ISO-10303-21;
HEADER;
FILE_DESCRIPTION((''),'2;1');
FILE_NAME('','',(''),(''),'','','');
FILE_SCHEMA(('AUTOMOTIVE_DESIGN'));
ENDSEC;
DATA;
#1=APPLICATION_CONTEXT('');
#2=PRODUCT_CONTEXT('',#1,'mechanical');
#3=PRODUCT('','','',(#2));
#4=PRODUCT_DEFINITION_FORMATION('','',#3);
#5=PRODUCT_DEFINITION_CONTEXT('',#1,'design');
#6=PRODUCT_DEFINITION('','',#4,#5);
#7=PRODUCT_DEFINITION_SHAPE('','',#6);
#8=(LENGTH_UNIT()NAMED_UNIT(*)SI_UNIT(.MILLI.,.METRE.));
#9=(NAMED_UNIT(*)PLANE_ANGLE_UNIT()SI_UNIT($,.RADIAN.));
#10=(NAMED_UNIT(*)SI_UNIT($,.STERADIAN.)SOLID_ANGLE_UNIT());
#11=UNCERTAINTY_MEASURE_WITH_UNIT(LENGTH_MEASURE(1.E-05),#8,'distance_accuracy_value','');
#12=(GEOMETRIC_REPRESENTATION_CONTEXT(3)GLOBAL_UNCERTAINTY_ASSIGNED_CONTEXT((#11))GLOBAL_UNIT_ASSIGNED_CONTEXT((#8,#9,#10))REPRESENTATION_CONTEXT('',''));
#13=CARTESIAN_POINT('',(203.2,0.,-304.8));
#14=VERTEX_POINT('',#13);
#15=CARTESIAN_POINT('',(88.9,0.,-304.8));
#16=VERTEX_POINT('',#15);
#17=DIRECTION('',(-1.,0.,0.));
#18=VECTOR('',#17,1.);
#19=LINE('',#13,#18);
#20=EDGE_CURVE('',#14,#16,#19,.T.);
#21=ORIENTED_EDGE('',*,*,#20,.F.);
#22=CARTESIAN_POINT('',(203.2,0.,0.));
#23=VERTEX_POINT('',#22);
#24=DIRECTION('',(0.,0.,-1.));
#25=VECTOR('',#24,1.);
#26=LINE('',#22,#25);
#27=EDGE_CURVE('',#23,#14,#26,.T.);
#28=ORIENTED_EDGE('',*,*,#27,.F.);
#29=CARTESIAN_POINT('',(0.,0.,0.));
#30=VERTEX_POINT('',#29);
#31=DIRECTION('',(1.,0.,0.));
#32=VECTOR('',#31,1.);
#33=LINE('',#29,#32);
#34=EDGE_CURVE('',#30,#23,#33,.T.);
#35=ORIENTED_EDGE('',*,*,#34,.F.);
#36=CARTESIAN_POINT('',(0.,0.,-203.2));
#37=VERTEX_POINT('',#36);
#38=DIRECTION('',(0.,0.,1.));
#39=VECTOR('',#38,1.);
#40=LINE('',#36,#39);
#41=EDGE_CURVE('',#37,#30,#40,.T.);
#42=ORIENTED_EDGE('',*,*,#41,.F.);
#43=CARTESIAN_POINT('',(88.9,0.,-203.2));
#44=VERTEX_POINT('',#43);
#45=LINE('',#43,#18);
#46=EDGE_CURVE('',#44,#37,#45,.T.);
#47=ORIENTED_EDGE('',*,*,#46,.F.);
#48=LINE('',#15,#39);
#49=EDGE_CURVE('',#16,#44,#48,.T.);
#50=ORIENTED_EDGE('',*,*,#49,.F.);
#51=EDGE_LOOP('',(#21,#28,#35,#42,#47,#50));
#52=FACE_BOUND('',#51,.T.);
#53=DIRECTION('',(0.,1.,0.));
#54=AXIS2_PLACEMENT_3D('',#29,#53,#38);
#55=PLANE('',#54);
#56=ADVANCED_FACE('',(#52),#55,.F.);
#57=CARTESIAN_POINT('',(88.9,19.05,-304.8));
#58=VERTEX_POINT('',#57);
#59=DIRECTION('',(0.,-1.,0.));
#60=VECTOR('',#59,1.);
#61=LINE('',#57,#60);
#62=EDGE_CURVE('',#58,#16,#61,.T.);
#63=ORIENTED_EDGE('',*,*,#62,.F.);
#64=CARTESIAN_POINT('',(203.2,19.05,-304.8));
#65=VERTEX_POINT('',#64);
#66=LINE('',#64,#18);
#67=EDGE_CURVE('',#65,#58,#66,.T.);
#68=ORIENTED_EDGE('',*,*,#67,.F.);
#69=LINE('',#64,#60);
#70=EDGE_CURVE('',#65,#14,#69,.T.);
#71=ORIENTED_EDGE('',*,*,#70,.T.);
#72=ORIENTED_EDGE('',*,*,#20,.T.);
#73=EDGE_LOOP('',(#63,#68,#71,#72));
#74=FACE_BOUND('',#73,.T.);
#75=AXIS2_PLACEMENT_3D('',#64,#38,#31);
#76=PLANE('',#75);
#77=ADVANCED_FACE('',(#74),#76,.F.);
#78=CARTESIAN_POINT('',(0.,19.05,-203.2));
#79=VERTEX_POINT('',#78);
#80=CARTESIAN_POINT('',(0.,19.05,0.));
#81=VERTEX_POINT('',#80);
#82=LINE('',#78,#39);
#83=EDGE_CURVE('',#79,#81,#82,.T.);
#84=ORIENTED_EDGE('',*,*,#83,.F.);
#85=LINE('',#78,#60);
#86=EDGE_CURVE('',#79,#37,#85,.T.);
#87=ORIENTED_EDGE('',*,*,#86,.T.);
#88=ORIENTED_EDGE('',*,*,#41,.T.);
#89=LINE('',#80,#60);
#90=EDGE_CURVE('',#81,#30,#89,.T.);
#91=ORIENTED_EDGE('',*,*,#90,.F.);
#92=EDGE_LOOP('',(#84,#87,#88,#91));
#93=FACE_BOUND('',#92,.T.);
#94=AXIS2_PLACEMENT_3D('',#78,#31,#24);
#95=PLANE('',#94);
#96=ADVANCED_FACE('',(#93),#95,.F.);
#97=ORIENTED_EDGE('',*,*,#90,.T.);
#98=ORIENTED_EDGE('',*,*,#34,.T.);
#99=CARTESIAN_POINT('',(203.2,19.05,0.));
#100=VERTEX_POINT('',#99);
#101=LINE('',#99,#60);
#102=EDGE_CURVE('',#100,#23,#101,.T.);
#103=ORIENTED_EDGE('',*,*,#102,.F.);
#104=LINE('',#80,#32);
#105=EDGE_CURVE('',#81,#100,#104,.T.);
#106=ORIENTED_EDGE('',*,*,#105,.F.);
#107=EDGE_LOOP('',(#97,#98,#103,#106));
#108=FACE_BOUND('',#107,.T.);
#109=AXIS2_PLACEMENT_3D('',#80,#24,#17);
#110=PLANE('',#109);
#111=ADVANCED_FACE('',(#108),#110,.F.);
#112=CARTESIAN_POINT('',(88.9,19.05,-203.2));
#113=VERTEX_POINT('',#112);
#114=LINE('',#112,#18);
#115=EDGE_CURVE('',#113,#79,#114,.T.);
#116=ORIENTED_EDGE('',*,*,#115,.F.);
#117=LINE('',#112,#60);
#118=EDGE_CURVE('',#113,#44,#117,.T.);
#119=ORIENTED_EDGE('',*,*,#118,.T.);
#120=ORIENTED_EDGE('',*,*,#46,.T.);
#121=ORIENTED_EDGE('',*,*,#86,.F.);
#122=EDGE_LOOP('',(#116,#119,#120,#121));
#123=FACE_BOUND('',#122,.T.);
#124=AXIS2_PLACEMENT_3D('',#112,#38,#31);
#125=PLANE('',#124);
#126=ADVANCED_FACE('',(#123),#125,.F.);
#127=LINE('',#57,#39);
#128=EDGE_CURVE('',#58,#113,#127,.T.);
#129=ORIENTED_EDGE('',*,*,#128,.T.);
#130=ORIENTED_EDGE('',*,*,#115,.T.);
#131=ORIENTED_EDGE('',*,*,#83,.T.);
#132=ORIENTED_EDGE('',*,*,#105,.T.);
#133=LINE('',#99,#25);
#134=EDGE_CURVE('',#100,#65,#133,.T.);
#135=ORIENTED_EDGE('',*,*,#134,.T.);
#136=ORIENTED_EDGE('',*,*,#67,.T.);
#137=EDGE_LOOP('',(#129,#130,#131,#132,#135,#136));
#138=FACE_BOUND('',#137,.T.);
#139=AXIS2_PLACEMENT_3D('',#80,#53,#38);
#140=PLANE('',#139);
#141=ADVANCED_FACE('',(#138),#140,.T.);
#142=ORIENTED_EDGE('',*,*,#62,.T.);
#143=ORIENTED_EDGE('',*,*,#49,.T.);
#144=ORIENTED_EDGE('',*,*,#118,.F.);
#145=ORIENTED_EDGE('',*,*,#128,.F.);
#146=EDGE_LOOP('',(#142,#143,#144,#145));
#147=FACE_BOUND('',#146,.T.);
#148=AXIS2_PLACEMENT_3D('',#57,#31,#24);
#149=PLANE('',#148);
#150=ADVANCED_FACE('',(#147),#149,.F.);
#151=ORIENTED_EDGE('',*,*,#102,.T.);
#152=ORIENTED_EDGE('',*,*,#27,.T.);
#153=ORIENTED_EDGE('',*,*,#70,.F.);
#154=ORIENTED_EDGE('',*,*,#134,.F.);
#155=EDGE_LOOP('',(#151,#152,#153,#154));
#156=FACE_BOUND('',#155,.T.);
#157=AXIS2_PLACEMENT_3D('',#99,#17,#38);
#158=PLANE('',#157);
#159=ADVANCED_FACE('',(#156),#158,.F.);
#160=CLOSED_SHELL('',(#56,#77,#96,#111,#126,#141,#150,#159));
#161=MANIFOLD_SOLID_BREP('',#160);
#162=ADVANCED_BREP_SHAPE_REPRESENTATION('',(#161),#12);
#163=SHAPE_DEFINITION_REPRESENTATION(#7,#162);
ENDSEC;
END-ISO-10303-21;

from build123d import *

# Parameters (mm, degrees)
BOSS_EXTRUDE1_DEPTH = 19.05


with BuildPart() as part:
    # Sketch1 → Boss-Extrude1 (new body)
    with BuildSketch(Plane(origin=(0, 0, 0), x_dir=(1, 0, 0), z_dir=(0, 1, 0))):
        Polygon((0, 0), (203.2, 0), (203.2, 304.8), (88.9, 304.8), (88.9, 203.2), (0, 203.2), align=None)
    extrude(amount=BOSS_EXTRUDE1_DEPTH)


solid = part.part
